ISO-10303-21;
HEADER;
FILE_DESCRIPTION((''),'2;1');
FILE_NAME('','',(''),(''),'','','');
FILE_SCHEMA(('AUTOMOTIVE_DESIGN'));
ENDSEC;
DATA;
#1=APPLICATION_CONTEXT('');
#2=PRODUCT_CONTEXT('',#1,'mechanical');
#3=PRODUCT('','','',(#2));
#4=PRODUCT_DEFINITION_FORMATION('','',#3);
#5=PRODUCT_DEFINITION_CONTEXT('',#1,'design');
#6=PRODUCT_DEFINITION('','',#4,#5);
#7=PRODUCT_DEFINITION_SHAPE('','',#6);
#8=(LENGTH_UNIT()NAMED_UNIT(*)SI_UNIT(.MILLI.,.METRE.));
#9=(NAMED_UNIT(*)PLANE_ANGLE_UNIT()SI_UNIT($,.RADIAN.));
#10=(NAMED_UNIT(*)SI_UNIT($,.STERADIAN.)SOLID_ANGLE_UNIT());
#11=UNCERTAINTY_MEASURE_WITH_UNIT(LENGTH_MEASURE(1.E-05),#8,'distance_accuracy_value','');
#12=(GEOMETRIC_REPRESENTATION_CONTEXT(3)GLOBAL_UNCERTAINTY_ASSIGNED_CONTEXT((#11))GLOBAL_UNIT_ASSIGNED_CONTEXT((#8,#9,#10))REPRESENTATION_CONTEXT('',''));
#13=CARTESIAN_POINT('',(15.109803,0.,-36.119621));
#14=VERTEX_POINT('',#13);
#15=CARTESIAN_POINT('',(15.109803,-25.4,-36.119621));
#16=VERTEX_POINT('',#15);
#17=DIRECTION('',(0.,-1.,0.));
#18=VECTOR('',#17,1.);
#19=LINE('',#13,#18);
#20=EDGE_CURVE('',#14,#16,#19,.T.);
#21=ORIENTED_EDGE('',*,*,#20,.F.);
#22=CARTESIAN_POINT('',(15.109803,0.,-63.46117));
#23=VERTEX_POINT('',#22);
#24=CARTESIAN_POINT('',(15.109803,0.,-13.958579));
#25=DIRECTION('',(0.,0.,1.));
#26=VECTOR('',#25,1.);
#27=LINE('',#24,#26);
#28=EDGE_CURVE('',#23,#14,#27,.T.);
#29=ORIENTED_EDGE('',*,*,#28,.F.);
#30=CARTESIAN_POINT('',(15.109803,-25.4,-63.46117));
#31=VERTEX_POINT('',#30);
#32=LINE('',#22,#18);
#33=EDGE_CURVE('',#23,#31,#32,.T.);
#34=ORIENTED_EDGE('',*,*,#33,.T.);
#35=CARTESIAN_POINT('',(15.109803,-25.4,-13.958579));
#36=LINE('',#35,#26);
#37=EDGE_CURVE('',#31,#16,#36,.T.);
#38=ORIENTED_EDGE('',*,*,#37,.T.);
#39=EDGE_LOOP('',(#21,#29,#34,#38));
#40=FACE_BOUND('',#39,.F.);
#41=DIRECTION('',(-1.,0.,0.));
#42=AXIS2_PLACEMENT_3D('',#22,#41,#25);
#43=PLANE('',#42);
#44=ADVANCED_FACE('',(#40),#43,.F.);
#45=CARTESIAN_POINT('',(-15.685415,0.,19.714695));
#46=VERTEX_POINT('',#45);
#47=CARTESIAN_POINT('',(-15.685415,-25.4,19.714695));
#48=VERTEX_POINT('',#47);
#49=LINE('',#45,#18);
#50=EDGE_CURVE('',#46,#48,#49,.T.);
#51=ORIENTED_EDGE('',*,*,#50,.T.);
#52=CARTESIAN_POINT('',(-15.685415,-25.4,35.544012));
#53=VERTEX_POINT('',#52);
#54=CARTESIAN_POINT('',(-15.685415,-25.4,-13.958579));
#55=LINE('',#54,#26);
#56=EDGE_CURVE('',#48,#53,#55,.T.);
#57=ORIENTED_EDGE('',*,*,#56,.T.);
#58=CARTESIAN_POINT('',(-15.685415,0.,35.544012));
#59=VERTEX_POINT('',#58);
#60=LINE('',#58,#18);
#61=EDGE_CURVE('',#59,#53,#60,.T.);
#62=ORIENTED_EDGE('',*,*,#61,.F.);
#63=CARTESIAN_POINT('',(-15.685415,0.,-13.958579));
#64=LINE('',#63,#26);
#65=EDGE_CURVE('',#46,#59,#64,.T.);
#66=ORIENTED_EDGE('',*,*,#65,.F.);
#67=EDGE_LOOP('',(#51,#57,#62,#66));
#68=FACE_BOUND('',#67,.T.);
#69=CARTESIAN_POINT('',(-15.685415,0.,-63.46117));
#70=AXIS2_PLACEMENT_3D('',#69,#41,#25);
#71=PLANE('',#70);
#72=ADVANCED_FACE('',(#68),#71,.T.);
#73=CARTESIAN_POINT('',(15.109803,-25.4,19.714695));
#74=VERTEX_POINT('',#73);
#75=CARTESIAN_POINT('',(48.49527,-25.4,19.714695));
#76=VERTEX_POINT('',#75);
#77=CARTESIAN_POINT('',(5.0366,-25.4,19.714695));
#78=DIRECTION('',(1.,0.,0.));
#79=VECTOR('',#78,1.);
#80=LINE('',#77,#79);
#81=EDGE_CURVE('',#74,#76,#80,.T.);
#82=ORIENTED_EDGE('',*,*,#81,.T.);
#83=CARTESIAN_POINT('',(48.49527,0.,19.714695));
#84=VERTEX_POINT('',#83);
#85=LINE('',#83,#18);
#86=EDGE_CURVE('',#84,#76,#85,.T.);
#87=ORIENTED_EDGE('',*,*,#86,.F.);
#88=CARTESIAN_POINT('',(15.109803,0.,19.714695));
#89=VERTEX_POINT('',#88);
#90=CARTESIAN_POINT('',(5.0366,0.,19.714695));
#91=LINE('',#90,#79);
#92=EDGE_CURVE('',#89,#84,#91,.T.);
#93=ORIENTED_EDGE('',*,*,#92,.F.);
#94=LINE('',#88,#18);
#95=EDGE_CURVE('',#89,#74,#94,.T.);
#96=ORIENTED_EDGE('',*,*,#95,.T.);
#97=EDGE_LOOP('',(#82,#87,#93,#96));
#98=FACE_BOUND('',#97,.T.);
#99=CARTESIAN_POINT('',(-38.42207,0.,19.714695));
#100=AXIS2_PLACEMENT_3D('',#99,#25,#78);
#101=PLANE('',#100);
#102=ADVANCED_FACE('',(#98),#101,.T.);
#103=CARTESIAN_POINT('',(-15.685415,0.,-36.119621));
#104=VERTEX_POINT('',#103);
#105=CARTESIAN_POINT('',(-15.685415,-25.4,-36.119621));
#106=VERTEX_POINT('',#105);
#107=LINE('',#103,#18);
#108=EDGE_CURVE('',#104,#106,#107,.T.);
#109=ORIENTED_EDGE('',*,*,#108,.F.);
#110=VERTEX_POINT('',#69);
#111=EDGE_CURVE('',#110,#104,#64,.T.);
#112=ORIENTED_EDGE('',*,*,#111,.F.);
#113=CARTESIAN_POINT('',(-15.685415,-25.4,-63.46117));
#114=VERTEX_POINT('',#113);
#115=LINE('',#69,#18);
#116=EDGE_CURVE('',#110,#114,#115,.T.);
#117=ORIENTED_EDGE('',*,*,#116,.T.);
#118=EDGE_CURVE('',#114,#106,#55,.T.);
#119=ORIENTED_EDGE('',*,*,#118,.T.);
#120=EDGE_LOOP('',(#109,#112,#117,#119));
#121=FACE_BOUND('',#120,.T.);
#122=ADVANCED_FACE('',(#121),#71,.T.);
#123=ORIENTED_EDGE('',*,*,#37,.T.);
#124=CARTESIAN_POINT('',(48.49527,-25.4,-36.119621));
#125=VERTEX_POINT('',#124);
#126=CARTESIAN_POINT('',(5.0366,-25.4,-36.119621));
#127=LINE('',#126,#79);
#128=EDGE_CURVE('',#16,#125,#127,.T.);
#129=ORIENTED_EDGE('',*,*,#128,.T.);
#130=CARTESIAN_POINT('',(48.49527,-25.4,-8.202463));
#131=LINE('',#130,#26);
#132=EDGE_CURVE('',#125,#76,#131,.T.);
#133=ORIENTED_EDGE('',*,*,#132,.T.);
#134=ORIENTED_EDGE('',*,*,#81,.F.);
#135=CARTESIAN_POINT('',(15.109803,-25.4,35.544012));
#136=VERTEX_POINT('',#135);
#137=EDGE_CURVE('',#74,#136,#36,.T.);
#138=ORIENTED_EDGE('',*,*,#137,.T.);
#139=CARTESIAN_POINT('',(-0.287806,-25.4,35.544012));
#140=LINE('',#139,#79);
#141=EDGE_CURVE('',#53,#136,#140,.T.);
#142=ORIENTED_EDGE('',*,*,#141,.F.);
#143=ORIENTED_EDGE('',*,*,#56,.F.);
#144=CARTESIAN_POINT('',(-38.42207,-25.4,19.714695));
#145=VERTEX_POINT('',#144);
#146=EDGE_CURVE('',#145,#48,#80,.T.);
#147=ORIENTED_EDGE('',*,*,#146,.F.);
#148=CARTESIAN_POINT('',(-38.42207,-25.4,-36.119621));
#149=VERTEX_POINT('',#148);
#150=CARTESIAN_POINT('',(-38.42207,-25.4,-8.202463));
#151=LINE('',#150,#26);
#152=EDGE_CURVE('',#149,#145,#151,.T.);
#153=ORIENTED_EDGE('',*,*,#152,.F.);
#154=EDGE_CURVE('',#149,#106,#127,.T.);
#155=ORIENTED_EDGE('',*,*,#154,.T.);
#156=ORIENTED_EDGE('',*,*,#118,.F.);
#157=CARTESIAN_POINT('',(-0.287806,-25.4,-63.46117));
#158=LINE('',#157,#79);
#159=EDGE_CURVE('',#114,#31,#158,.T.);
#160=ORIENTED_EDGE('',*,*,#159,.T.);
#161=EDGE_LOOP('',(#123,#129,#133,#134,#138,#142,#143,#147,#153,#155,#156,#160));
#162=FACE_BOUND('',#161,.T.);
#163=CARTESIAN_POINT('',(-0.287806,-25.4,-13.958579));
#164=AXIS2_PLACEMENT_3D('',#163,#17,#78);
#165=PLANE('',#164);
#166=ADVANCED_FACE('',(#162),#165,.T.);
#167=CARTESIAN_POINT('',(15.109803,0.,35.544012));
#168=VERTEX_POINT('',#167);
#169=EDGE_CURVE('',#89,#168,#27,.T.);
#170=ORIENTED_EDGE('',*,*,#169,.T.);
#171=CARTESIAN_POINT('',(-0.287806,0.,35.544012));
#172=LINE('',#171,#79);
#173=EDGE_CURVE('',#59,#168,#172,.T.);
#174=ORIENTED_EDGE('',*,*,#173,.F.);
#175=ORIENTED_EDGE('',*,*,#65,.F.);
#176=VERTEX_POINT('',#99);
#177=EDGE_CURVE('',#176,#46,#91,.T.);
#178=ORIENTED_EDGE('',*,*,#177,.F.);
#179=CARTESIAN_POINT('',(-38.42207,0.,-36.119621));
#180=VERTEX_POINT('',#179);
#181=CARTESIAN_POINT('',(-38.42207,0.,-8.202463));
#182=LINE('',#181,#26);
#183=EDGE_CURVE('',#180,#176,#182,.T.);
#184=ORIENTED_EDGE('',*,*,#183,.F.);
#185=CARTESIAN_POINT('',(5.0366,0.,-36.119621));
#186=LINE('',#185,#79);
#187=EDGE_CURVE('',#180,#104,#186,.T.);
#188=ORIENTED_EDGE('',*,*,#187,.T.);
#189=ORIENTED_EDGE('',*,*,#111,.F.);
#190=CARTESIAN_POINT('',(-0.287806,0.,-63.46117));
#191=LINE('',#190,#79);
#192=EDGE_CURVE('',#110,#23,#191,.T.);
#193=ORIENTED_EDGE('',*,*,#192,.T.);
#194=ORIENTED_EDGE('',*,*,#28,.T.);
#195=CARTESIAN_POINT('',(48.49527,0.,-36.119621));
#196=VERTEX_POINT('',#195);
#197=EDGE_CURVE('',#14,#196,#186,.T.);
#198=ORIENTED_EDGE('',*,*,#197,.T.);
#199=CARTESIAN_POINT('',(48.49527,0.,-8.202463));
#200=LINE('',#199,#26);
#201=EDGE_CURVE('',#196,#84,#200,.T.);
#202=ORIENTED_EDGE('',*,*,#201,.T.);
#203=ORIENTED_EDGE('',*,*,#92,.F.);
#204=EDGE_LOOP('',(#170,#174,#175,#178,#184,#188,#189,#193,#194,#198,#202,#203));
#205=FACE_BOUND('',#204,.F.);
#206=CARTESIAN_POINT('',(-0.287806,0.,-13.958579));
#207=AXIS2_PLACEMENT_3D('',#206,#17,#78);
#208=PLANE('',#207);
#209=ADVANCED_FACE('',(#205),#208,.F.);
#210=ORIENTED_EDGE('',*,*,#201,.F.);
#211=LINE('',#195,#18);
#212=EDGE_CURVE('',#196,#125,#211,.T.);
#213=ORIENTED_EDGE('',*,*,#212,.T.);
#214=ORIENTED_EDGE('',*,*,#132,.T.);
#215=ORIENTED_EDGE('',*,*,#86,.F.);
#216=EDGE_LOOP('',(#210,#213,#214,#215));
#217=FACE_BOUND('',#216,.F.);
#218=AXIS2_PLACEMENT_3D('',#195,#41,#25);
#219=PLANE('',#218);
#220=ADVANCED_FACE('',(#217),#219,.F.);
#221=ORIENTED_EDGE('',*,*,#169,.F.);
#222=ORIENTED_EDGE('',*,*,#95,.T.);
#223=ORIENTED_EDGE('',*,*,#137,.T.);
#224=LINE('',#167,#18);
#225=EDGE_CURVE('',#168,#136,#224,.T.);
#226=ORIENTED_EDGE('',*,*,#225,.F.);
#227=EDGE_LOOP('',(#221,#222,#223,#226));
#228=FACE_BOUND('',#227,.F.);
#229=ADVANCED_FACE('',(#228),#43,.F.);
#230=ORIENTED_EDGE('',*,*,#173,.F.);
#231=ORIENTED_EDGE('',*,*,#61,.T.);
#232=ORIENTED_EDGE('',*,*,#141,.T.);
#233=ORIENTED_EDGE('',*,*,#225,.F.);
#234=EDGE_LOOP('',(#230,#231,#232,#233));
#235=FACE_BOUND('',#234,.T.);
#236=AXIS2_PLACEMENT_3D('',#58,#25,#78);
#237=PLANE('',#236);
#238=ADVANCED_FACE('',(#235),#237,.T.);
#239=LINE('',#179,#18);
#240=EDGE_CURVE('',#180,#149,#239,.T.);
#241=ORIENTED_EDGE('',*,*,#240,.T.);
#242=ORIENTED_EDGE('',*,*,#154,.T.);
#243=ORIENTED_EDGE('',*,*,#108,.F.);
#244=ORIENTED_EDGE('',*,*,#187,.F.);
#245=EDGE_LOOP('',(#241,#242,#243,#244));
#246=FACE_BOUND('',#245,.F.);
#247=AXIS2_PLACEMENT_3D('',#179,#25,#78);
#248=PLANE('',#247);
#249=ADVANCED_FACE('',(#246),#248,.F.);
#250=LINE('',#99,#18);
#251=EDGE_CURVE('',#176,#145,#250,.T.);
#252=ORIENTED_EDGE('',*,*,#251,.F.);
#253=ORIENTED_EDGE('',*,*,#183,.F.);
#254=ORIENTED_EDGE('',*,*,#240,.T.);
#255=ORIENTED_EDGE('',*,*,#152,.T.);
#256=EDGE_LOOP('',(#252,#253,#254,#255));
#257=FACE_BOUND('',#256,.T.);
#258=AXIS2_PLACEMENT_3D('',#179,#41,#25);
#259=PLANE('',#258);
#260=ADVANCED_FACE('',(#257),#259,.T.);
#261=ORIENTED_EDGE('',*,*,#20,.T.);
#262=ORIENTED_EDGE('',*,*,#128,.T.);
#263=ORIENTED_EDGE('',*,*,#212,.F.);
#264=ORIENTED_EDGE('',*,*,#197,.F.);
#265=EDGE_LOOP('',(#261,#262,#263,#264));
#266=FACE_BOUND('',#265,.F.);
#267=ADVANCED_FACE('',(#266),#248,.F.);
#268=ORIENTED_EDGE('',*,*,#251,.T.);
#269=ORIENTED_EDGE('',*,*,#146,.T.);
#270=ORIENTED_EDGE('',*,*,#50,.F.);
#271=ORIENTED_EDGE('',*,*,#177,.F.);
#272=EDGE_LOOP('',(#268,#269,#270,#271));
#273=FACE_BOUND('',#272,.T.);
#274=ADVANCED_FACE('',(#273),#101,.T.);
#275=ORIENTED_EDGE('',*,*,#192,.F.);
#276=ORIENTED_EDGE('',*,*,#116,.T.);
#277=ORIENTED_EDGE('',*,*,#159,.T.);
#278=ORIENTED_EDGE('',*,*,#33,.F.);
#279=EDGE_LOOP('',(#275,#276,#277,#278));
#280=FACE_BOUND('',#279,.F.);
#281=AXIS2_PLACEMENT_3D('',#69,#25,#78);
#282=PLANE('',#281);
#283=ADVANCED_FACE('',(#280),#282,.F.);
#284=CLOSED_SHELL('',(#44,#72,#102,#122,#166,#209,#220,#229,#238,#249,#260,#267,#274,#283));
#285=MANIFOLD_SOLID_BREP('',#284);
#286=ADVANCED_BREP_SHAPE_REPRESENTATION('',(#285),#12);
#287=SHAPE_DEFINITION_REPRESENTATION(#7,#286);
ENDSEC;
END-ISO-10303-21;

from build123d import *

# Parameters (mm, degrees)
F0_W     = 86.91734
F0_H     = 55.834315
F1_DEPTH = 25.4
F2_DEPTH = 25.4
F3_W     = 30.795218
F3_H     = 99.005182
F4_DEPTH = 25.4


with BuildPart() as f1:
    # F0 (on Front) → F1 (new body)
    with BuildSketch(Plane.XZ):
        with Locations((5.0366, -8.202463)):
            Rectangle(F0_W, F0_H)
    extrude(amount=F1_DEPTH)

    # F0 (on Front) → F2 (join)
    with BuildSketch(Plane.XZ):
        with Locations((5.0366, -8.202463)):
            Rectangle(F0_W, F0_H)
    extrude(amount=F2_DEPTH)

    # F3 (on Front) → F4 (join)
    with BuildSketch(Plane.XZ):
        with Locations((-0.287806, -13.958579)):
            Rectangle(F3_W, F3_H)
    extrude(amount=F4_DEPTH)


solid = f1.part
